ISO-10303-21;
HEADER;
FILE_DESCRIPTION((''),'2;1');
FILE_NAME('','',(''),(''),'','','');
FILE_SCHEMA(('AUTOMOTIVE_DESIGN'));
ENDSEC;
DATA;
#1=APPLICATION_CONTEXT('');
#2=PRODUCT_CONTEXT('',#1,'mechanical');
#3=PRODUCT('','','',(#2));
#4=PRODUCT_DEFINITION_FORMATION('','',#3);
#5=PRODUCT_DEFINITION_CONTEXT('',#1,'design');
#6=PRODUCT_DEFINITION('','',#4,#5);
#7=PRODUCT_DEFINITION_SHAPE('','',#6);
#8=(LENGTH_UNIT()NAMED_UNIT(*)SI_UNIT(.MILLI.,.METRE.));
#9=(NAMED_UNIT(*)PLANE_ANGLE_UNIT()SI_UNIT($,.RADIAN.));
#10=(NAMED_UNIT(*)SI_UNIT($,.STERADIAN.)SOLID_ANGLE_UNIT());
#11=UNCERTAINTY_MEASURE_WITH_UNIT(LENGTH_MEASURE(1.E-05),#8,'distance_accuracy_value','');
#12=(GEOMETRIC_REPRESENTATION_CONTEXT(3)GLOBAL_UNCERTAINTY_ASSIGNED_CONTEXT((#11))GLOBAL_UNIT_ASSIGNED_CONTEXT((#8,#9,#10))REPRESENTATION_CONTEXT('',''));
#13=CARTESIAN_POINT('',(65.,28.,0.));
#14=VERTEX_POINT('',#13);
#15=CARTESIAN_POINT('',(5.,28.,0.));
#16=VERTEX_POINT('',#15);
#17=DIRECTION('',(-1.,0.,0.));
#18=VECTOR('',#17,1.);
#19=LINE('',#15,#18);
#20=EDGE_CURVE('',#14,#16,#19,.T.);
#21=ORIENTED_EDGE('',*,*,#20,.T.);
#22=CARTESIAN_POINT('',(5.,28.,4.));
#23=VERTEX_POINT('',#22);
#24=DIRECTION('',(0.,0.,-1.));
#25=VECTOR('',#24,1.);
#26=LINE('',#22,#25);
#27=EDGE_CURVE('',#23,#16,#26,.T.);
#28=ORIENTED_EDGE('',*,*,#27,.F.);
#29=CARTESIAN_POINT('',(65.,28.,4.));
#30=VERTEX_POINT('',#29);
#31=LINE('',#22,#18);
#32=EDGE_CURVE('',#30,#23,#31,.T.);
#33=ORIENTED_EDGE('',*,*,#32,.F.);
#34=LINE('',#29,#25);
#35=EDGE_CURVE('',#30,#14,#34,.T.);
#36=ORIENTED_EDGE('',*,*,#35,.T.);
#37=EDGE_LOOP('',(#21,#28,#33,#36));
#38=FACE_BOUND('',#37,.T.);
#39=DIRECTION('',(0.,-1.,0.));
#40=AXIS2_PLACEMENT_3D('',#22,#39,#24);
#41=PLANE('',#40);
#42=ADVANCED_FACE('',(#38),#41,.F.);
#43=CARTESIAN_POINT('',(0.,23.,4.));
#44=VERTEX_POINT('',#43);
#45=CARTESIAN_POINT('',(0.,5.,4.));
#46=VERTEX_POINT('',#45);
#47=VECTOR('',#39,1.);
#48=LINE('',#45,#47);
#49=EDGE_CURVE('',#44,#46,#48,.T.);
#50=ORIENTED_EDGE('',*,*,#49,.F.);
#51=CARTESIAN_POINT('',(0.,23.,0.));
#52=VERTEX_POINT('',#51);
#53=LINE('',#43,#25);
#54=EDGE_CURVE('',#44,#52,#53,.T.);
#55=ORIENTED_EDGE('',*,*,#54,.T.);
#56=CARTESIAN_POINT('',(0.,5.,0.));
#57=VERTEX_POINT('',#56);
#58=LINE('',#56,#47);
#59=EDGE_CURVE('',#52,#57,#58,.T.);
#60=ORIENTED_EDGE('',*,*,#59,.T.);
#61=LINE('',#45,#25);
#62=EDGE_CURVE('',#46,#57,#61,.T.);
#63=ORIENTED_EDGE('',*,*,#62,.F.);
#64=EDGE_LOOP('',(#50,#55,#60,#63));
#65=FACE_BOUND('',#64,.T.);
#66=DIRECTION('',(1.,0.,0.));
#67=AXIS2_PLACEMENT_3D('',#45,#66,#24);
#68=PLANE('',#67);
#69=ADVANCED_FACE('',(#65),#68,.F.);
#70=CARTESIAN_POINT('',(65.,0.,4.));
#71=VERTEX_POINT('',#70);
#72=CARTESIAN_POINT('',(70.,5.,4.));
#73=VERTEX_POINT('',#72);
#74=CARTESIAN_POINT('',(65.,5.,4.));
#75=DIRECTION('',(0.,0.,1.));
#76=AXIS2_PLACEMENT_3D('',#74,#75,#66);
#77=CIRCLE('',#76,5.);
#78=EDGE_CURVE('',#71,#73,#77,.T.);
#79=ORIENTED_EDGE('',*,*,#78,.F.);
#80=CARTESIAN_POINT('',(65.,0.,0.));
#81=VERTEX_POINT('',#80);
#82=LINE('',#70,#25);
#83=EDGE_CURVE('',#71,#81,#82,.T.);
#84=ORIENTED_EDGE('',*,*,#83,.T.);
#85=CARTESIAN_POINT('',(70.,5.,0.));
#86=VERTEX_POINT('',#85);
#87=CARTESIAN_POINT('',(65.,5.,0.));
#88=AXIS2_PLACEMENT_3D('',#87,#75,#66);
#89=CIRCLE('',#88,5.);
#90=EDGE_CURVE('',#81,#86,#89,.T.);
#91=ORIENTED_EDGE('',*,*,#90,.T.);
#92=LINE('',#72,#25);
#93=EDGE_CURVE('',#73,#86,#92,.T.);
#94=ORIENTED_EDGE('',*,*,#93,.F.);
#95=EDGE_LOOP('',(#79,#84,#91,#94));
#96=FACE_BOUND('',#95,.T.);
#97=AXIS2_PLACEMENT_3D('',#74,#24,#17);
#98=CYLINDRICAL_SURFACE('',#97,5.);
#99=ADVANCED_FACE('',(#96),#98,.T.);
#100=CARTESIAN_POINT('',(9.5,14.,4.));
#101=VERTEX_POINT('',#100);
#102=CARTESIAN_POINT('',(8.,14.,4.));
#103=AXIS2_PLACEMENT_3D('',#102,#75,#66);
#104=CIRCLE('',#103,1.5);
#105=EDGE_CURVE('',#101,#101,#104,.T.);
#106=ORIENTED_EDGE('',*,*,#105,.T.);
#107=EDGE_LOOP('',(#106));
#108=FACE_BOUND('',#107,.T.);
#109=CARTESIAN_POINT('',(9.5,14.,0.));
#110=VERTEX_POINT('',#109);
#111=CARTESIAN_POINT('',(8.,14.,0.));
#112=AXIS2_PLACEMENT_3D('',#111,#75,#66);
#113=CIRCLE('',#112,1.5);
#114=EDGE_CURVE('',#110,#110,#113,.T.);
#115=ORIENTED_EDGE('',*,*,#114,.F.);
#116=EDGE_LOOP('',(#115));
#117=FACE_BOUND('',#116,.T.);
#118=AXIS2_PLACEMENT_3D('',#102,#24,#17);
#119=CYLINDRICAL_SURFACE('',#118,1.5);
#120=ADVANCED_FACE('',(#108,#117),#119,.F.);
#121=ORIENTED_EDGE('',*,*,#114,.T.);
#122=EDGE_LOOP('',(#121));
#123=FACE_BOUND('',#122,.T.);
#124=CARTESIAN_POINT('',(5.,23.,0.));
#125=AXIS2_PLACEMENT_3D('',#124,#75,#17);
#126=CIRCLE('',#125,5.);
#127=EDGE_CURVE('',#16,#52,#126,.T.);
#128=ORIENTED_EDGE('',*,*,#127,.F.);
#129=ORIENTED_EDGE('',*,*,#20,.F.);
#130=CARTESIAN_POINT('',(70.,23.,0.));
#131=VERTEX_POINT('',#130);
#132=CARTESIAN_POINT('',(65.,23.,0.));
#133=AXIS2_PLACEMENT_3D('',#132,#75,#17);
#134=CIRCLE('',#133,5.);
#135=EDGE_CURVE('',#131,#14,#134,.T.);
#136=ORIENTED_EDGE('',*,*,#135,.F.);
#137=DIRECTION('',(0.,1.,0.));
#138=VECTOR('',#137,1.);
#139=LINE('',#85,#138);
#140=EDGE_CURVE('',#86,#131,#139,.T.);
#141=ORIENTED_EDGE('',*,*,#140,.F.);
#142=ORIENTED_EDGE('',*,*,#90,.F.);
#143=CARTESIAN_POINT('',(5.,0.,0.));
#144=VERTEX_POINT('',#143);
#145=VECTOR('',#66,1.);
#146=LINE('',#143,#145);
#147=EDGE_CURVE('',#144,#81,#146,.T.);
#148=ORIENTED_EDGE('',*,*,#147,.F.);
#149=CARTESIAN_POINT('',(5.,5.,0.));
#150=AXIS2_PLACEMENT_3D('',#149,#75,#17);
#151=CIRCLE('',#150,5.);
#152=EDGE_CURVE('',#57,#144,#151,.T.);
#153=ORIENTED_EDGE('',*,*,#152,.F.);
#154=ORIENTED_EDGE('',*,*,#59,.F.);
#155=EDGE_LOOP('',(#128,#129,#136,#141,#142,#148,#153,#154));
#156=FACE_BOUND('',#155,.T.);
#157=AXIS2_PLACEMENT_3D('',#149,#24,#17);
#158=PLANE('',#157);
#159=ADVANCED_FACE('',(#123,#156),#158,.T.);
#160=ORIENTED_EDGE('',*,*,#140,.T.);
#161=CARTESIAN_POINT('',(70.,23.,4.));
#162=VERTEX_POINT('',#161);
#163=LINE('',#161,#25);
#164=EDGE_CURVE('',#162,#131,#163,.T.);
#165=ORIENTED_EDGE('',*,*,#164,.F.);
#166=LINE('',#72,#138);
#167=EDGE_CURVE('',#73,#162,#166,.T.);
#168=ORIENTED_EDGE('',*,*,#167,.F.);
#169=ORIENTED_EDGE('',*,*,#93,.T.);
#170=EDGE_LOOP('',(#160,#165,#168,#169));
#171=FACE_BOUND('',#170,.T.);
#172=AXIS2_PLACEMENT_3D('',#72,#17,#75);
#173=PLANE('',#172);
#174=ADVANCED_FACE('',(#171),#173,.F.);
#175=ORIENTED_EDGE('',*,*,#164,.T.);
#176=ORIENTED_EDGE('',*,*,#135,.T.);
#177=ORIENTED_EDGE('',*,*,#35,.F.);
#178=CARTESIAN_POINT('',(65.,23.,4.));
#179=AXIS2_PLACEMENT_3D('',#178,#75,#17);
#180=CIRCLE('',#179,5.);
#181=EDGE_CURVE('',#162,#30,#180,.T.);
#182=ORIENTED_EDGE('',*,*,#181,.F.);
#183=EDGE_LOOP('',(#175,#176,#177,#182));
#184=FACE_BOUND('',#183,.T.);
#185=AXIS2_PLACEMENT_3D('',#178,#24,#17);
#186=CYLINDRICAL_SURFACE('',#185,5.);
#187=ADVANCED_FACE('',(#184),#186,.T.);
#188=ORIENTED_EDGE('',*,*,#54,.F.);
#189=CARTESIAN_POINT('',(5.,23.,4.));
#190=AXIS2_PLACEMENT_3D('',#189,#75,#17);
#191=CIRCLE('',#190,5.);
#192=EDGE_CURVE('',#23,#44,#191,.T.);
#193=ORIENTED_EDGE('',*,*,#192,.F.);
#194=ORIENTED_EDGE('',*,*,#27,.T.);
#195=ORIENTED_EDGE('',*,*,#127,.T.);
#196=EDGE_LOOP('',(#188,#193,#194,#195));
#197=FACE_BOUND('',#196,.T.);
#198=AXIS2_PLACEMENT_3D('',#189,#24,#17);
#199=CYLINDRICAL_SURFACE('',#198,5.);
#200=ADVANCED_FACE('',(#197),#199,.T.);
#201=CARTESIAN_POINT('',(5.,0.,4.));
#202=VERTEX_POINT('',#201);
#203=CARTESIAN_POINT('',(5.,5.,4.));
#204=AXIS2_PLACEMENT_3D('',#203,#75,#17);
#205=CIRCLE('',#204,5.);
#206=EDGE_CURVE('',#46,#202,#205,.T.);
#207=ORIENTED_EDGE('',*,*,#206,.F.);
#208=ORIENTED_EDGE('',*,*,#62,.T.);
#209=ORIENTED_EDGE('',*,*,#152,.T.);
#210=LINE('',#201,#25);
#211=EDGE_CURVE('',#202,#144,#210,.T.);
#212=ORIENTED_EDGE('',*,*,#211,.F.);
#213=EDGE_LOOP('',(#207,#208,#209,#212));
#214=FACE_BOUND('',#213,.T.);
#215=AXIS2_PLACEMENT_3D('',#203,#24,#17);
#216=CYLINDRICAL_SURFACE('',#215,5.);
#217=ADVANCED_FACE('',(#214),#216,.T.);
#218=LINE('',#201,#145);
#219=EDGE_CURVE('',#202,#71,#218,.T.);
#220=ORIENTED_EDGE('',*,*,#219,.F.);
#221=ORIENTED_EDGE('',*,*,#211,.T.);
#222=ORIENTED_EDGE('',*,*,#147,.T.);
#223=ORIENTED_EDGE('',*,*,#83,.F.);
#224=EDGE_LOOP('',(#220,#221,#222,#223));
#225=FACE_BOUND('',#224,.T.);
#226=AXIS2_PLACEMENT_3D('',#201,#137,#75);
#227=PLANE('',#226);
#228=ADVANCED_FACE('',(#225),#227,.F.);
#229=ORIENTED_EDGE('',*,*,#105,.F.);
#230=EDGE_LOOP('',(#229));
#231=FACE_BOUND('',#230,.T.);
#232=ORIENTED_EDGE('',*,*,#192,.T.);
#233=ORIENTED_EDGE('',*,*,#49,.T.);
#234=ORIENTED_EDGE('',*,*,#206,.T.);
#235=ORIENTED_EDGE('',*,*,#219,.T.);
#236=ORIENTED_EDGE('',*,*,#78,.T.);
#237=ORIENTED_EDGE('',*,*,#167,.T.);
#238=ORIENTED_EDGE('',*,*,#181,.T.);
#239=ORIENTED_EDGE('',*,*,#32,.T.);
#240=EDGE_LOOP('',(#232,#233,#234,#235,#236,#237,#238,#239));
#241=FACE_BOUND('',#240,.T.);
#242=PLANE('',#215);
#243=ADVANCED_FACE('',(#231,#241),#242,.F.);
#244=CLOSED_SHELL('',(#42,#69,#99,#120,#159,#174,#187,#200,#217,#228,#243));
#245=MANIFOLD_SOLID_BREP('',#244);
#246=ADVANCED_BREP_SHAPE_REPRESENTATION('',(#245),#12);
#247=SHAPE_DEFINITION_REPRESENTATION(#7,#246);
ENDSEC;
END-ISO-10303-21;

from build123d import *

# Parameters (mm, degrees)
SKETCH1_R           = 1.5
BOSS_EXTRUDE1_DEPTH = 4


with BuildPart() as part:
    # Sketch1 → Boss-Extrude1 (new body)
    with BuildSketch(Plane.XY):
        with BuildLine():
            Line((5, 0), (65, 0))
            ThreePointArc((65, 0), (68.535533906, 1.464466094), (70, 5))
            Line((70, 5), (70, 23))
            ThreePointArc((70, 23), (68.535533906, 26.535533906), (65, 28))
            Line((65, 28), (5, 28))
            ThreePointArc((5, 28), (1.464466094, 26.535533906), (0, 23))
            Line((0, 23), (0, 5))
            ThreePointArc((0, 5), (1.464466094, 1.464466094), (5, 0))
        make_face()
        with Locations((8, 14)):
            Circle(SKETCH1_R, mode=Mode.SUBTRACT)
    extrude(amount=BOSS_EXTRUDE1_DEPTH)


solid = part.part
